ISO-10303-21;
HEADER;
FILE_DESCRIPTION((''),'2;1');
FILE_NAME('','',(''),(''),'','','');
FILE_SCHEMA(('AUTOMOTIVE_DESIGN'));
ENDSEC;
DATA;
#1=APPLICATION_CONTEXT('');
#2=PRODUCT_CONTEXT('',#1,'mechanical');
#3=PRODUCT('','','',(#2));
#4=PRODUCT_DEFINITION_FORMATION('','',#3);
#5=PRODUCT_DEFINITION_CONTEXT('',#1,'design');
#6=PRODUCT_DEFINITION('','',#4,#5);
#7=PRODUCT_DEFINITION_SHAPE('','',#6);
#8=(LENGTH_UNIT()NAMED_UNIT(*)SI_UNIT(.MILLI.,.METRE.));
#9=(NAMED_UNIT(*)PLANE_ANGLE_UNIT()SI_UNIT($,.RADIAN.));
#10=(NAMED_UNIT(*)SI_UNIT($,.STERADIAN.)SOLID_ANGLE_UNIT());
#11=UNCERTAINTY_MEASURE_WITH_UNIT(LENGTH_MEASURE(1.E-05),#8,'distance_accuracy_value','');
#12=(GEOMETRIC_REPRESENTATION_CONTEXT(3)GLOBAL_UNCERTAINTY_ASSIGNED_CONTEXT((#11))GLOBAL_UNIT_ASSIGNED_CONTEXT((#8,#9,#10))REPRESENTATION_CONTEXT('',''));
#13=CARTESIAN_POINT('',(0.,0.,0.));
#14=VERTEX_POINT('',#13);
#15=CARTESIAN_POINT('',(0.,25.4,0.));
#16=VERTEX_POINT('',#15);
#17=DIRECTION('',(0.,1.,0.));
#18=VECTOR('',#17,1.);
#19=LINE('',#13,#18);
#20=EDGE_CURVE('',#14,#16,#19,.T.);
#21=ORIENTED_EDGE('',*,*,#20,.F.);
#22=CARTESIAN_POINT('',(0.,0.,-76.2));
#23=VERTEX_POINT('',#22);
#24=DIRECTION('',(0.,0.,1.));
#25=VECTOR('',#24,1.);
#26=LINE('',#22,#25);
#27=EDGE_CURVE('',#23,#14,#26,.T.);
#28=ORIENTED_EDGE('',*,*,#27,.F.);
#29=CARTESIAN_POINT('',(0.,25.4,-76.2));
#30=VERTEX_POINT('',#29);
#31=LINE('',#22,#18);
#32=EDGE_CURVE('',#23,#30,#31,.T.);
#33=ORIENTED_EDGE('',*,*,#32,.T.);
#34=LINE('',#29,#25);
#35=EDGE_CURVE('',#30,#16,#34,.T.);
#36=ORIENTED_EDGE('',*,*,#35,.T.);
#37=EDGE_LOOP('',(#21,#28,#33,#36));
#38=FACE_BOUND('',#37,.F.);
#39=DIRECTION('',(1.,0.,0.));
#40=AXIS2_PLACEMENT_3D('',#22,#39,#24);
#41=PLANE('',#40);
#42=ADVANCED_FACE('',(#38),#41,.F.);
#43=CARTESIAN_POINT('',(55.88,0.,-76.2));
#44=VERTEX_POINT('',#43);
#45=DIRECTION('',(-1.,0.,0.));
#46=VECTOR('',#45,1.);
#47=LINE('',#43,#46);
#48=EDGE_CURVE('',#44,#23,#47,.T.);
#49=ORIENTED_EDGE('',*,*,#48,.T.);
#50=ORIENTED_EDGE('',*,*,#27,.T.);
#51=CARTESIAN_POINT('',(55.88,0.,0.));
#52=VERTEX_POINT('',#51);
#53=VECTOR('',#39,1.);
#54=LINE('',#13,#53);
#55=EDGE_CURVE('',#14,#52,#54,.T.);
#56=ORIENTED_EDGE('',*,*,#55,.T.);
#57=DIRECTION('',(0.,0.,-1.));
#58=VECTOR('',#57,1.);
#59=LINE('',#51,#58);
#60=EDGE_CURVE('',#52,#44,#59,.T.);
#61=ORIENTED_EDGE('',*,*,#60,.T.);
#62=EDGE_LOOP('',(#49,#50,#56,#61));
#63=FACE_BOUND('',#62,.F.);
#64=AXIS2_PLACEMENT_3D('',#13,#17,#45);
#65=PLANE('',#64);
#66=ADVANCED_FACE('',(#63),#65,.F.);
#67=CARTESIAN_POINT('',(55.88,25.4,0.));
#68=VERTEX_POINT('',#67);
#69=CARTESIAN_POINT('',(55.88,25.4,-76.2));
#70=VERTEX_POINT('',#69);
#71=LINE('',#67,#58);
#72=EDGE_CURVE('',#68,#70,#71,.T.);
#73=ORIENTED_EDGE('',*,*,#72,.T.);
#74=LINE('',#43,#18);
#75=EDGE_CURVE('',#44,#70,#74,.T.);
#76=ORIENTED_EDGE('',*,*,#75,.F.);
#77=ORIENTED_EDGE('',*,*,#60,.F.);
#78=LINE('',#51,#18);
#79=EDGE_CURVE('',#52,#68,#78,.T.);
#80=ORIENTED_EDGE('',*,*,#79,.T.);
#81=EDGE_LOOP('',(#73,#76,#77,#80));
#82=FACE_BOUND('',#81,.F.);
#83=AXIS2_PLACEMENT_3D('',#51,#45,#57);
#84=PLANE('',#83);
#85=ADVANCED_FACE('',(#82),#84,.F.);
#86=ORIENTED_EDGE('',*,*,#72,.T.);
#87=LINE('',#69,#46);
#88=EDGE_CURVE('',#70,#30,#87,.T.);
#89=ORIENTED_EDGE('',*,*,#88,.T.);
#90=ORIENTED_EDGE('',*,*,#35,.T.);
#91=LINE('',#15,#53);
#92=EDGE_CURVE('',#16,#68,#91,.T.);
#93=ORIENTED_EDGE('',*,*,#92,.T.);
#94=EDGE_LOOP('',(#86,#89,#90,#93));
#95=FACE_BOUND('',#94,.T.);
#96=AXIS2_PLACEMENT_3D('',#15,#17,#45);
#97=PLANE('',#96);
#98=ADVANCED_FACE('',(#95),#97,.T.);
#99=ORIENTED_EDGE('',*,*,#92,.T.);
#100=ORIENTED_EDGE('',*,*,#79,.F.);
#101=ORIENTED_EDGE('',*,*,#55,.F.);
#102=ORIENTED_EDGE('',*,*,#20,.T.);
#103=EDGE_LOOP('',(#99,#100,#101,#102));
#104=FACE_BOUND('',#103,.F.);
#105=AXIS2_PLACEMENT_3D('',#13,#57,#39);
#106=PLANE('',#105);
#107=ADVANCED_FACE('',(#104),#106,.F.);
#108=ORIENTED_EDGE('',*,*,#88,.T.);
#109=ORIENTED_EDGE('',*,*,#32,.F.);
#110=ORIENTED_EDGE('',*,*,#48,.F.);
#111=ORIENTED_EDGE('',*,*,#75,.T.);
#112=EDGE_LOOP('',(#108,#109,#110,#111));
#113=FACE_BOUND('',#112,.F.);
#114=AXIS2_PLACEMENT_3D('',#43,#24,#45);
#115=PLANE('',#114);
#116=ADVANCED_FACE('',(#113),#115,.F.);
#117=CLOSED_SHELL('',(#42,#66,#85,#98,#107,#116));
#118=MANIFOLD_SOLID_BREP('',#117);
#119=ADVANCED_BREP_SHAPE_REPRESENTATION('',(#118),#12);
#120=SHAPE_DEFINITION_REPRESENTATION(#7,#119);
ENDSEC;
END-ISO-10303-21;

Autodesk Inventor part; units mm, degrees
ref_plane "YZ Plane" through (0, 0, 0) normal (1, 0, 0) x (0, 1, 0)
ref_plane "XZ Plane" through (0, 0, 0) normal (0, 1, 0) x (-1, 0, 0)
ref_plane "XY Plane" through (0, 0, 0) normal (0, 0, 1) x (1, 0, 0)
sketch "Sketch1" plane through (0, 0, 0) normal (0, 1, 0) x (-1, 0, 0)
  line L0 (0, 0) -> (-55.88, 0)
  line L1 (-55.88, 0) -> (-55.88, -76.2)
  line L2 (-55.88, -76.2) -> (0, -76.2)
  line L3 (0, -76.2) -> (0, 0)
  dimension "d0" = 55.88
  dimension "d1" = 76.2
extrude "Extrusion1" add sketch "Sketch1" along normal blind 25.4
properties part number "CHAMP Portable"
